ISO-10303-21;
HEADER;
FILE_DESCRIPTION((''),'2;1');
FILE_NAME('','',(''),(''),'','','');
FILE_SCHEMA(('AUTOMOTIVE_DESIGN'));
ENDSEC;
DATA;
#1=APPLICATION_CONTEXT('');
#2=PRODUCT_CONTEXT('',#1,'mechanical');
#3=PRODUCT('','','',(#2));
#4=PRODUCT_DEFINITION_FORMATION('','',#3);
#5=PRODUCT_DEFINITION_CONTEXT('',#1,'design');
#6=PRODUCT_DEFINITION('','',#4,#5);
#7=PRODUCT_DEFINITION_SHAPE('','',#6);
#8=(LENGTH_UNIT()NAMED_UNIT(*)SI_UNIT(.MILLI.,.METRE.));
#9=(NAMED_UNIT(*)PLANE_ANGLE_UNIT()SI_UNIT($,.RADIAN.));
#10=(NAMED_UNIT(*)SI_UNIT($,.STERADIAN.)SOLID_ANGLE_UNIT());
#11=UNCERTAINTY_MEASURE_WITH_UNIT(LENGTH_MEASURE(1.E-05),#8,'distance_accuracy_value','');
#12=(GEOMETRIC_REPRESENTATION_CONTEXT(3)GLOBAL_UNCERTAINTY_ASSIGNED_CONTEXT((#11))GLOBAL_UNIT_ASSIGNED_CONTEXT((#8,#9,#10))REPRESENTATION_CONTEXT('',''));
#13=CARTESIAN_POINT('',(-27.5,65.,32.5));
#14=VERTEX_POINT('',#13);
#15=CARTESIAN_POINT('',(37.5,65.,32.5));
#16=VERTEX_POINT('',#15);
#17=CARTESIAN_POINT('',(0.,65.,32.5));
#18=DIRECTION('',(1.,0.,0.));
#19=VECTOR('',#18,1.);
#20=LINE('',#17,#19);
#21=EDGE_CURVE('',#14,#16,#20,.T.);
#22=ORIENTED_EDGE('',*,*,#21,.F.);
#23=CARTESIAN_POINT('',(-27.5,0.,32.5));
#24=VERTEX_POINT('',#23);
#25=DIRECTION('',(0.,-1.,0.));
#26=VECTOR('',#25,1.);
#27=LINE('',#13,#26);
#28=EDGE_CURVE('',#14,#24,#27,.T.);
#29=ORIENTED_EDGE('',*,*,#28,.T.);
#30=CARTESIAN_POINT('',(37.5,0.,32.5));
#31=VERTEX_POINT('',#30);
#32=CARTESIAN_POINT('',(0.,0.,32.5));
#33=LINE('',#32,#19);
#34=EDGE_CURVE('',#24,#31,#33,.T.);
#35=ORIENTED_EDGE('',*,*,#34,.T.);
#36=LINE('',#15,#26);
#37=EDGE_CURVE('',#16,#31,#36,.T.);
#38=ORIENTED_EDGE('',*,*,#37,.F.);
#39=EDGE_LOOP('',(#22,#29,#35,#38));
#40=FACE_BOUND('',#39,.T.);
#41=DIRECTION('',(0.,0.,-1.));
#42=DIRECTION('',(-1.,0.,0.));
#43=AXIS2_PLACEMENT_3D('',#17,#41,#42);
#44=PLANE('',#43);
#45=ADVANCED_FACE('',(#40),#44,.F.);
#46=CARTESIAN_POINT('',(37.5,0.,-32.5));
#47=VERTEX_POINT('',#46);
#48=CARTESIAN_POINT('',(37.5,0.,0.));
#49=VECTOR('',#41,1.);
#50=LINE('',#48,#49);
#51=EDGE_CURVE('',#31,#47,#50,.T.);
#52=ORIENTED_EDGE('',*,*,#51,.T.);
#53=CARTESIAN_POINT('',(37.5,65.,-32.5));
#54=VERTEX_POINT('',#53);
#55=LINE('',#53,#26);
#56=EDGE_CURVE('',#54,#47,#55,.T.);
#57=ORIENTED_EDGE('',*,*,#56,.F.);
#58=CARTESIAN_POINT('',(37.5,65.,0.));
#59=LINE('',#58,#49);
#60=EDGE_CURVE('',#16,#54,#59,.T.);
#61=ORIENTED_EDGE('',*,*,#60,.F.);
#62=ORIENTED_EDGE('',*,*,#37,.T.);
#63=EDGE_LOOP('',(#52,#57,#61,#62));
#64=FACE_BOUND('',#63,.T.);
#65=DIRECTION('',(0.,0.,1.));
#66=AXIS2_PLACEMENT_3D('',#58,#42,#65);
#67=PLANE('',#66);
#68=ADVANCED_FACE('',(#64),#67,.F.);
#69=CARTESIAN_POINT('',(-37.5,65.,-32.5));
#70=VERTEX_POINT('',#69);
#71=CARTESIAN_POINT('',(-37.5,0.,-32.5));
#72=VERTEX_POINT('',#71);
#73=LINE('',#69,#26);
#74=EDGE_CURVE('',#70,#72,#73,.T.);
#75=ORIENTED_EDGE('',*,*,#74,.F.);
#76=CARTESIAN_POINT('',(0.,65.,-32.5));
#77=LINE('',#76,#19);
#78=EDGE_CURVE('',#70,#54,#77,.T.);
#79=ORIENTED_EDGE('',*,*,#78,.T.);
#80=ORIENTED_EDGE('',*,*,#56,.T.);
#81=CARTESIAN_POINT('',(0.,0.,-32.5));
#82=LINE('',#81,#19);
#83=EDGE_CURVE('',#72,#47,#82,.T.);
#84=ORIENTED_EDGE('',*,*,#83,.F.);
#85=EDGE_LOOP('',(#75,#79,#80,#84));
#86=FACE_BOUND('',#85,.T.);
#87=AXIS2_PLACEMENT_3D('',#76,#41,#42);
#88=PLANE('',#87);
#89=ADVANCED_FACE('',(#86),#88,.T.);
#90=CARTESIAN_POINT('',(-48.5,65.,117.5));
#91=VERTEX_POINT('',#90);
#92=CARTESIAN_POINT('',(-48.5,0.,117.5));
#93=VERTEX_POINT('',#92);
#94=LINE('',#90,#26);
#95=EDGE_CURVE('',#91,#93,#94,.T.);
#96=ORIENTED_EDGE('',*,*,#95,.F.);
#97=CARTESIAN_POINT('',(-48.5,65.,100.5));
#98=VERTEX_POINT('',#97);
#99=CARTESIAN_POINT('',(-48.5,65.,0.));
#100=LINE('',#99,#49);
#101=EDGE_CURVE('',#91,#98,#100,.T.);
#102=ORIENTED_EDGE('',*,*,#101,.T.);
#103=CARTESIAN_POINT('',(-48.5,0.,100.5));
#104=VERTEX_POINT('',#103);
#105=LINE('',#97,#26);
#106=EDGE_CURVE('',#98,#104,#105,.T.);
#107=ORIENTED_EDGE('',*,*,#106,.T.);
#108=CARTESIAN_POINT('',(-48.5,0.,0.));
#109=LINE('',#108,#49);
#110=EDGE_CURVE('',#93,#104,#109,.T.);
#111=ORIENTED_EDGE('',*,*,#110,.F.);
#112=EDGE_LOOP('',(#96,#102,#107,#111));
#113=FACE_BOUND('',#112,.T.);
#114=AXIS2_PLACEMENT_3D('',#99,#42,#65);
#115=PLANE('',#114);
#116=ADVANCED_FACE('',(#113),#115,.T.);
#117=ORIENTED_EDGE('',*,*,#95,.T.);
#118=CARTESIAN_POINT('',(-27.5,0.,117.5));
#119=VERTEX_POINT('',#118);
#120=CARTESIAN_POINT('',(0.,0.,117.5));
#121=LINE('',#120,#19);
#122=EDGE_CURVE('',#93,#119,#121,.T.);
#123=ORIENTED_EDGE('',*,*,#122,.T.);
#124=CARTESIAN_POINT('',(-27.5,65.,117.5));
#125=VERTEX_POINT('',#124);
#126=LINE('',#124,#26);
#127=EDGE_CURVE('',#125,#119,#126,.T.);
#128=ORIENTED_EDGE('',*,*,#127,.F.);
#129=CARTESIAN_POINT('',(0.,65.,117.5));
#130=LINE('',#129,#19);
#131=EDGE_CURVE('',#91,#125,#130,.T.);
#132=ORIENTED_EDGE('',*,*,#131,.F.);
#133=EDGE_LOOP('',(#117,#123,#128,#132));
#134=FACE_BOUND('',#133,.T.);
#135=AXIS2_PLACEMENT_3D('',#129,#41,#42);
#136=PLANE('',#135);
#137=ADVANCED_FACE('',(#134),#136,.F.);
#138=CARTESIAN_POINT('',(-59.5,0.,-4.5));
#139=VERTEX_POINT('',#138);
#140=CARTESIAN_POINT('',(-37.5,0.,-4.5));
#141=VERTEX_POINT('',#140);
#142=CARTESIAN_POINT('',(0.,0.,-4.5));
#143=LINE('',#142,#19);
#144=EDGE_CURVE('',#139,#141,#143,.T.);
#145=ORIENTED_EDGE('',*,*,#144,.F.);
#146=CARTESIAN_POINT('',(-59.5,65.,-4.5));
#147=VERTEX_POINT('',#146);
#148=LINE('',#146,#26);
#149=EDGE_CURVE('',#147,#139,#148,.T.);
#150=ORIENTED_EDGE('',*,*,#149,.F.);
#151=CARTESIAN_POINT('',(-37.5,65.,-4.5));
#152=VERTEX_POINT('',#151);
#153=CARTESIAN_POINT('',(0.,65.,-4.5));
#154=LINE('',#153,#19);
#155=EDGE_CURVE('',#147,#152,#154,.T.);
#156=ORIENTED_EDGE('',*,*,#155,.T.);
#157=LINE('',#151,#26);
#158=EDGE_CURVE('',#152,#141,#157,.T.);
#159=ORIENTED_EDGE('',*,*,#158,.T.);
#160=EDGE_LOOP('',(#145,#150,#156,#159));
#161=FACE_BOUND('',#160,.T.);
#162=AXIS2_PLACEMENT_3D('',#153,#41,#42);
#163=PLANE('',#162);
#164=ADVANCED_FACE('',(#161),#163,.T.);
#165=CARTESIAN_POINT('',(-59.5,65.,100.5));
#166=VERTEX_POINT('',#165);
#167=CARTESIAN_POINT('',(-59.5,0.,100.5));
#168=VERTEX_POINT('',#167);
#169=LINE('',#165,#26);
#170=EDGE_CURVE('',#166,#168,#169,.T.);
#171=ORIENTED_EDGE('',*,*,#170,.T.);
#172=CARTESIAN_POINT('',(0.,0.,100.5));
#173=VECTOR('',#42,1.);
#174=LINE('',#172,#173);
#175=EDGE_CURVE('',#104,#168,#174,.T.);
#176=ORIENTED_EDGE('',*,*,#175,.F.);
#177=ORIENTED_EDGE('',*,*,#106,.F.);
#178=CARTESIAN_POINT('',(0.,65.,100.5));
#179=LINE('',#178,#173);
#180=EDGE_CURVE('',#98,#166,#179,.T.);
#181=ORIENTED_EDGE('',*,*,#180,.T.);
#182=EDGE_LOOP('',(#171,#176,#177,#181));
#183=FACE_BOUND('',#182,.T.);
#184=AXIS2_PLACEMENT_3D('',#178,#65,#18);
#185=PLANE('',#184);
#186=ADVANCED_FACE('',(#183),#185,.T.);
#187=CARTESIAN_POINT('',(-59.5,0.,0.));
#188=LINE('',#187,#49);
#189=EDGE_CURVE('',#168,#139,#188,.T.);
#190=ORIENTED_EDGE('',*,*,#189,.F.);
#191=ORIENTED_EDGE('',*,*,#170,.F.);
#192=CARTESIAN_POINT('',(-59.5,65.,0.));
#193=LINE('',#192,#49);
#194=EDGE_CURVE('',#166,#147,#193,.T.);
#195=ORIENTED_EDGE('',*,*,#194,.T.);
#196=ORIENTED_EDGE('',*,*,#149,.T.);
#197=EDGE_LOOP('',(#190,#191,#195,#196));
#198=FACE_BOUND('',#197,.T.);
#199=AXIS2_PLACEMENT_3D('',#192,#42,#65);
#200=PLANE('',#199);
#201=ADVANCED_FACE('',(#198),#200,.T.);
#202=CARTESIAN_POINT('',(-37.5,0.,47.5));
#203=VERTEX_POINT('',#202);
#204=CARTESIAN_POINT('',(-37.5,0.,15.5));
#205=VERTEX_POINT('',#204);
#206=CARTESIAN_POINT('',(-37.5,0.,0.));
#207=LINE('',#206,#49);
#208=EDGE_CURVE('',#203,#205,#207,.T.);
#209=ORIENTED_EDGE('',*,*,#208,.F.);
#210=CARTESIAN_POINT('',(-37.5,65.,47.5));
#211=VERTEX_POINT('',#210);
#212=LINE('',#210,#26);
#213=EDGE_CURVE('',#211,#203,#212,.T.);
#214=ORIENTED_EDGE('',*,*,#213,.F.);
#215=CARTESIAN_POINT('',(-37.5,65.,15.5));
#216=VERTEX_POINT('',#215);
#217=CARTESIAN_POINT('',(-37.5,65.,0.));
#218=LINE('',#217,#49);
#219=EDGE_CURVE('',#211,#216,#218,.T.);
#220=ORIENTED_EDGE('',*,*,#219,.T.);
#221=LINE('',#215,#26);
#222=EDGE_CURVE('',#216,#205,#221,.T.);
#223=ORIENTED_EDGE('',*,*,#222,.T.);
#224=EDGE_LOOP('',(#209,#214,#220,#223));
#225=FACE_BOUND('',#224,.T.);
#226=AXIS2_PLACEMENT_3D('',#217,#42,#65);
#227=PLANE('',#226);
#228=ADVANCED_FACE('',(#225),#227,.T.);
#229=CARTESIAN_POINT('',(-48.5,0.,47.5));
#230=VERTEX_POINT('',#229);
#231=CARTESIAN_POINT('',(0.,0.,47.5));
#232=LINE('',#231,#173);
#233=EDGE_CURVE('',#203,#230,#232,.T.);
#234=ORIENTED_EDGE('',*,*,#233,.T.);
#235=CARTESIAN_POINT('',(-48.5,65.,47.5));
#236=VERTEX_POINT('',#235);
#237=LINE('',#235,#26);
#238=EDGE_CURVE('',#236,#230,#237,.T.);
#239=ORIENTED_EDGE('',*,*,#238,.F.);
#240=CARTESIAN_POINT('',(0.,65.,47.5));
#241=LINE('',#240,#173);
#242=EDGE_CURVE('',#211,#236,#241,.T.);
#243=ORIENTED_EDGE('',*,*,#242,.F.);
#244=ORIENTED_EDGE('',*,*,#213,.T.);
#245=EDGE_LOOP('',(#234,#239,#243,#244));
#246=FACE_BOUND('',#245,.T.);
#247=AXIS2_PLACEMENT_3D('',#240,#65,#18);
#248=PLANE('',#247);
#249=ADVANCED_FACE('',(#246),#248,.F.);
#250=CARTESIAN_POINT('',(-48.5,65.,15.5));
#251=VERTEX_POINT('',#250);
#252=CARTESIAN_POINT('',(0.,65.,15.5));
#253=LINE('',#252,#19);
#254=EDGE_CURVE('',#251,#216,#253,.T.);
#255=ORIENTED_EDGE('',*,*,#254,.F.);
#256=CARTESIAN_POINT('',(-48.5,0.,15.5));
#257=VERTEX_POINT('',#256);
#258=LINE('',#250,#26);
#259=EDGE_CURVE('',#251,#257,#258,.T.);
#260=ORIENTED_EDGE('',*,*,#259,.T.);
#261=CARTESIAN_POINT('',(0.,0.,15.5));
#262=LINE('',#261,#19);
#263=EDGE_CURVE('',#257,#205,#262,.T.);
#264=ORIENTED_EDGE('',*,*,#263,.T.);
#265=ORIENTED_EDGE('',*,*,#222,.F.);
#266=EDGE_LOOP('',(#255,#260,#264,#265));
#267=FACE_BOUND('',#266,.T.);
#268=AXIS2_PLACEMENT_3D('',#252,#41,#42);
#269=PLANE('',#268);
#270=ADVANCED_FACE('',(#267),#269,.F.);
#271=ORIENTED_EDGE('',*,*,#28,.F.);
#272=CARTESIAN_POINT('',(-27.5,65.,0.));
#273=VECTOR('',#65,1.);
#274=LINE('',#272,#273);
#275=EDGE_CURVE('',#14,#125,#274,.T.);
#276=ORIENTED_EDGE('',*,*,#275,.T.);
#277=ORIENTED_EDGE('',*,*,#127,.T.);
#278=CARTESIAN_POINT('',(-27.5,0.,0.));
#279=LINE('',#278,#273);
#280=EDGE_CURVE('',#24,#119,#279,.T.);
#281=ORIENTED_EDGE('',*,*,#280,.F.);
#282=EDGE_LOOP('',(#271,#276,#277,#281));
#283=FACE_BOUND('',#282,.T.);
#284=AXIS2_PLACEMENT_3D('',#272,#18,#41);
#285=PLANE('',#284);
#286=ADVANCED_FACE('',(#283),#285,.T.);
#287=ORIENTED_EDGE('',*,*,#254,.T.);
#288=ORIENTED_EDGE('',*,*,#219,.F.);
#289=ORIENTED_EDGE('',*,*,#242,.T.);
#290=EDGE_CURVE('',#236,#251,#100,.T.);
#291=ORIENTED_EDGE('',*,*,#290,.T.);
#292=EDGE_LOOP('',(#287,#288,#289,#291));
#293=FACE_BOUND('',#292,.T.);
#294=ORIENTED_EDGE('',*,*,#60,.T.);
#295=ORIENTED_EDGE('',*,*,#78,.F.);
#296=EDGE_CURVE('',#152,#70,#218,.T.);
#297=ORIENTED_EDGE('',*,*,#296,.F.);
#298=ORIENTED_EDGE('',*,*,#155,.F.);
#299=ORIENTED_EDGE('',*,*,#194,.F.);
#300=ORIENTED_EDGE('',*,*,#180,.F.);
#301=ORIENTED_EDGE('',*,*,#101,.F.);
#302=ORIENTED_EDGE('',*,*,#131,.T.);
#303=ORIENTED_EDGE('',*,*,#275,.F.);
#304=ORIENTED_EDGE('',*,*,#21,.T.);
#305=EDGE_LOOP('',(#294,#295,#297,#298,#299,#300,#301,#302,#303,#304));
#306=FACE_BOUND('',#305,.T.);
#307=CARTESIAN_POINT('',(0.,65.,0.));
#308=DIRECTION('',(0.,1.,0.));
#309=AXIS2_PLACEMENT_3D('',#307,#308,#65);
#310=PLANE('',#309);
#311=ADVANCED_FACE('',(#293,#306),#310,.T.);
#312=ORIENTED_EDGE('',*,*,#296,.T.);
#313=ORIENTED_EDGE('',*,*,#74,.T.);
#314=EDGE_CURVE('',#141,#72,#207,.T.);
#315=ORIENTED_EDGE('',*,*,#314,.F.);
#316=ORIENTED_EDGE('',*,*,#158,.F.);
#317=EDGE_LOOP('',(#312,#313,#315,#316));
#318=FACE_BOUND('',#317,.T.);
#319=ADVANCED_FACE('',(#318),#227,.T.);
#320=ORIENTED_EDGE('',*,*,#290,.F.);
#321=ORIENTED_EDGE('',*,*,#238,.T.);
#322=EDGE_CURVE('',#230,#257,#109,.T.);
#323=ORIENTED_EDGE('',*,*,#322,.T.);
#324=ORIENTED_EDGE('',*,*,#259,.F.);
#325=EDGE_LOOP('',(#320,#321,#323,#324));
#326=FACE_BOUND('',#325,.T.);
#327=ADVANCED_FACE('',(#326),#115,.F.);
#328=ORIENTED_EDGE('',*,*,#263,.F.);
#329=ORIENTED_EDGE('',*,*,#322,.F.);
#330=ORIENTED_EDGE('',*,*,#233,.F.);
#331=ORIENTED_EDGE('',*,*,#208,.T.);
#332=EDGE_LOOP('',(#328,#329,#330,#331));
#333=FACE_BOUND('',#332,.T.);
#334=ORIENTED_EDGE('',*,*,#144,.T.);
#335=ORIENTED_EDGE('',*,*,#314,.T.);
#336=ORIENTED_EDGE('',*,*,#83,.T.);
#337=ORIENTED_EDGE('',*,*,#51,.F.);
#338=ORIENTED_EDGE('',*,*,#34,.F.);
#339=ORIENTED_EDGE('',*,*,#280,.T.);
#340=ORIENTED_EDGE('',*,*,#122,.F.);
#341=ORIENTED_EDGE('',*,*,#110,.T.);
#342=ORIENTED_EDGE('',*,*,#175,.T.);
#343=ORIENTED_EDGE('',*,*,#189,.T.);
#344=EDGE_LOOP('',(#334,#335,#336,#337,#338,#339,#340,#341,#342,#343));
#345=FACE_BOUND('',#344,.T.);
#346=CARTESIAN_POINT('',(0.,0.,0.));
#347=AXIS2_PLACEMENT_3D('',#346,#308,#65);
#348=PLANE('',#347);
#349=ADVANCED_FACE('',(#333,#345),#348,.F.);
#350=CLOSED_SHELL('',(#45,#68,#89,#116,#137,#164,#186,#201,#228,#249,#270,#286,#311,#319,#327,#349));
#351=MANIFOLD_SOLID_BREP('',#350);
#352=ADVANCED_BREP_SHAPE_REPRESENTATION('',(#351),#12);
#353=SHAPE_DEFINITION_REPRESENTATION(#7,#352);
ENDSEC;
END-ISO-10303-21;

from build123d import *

# Parameters (mm, degrees)
SKIZZE1_W                       = 75
SKIZZE1_H                       = 65
SKIZZE1_W_2                     = 11
SKIZZE1_H_2                     = 20
AUFSATZ_LINEAR_AUSTRAGEN1_DEPTH = 65


with BuildPart() as part:
    # Skizze1 → Aufsatz-Linear austragen1 (new body)
    with BuildSketch(Plane(origin=(0, 0, 0), x_dir=(1, 0, 0), z_dir=(0, 1, 0))):
        Rectangle(SKIZZE1_W, SKIZZE1_H)
        with Locations((-43, -5.5)):
            Rectangle(SKIZZE1_W_2, SKIZZE1_H_2)
        Polygon((-48.5, -47.5), (-48.5, -15.5), (-48.5, 4.5), (-59.5, 4.5), (-59.5, -100.5), (-48.5, -100.5), align=None)
        Polygon((-37.5, -66.284082461), (-37.5, -47.5), (-48.5, -47.5), (-48.5, -100.5), (-48.5, -117.5), (-37.5, -117.5), align=None)
        Polygon((-27.5, -32.5), (-37.5, -32.5), (-37.5, -47.5), (-37.5, -66.284082461), (-37.5, -117.5), (-27.5, -117.5), align=None)
    extrude(amount=AUFSATZ_LINEAR_AUSTRAGEN1_DEPTH)


solid = part.part
